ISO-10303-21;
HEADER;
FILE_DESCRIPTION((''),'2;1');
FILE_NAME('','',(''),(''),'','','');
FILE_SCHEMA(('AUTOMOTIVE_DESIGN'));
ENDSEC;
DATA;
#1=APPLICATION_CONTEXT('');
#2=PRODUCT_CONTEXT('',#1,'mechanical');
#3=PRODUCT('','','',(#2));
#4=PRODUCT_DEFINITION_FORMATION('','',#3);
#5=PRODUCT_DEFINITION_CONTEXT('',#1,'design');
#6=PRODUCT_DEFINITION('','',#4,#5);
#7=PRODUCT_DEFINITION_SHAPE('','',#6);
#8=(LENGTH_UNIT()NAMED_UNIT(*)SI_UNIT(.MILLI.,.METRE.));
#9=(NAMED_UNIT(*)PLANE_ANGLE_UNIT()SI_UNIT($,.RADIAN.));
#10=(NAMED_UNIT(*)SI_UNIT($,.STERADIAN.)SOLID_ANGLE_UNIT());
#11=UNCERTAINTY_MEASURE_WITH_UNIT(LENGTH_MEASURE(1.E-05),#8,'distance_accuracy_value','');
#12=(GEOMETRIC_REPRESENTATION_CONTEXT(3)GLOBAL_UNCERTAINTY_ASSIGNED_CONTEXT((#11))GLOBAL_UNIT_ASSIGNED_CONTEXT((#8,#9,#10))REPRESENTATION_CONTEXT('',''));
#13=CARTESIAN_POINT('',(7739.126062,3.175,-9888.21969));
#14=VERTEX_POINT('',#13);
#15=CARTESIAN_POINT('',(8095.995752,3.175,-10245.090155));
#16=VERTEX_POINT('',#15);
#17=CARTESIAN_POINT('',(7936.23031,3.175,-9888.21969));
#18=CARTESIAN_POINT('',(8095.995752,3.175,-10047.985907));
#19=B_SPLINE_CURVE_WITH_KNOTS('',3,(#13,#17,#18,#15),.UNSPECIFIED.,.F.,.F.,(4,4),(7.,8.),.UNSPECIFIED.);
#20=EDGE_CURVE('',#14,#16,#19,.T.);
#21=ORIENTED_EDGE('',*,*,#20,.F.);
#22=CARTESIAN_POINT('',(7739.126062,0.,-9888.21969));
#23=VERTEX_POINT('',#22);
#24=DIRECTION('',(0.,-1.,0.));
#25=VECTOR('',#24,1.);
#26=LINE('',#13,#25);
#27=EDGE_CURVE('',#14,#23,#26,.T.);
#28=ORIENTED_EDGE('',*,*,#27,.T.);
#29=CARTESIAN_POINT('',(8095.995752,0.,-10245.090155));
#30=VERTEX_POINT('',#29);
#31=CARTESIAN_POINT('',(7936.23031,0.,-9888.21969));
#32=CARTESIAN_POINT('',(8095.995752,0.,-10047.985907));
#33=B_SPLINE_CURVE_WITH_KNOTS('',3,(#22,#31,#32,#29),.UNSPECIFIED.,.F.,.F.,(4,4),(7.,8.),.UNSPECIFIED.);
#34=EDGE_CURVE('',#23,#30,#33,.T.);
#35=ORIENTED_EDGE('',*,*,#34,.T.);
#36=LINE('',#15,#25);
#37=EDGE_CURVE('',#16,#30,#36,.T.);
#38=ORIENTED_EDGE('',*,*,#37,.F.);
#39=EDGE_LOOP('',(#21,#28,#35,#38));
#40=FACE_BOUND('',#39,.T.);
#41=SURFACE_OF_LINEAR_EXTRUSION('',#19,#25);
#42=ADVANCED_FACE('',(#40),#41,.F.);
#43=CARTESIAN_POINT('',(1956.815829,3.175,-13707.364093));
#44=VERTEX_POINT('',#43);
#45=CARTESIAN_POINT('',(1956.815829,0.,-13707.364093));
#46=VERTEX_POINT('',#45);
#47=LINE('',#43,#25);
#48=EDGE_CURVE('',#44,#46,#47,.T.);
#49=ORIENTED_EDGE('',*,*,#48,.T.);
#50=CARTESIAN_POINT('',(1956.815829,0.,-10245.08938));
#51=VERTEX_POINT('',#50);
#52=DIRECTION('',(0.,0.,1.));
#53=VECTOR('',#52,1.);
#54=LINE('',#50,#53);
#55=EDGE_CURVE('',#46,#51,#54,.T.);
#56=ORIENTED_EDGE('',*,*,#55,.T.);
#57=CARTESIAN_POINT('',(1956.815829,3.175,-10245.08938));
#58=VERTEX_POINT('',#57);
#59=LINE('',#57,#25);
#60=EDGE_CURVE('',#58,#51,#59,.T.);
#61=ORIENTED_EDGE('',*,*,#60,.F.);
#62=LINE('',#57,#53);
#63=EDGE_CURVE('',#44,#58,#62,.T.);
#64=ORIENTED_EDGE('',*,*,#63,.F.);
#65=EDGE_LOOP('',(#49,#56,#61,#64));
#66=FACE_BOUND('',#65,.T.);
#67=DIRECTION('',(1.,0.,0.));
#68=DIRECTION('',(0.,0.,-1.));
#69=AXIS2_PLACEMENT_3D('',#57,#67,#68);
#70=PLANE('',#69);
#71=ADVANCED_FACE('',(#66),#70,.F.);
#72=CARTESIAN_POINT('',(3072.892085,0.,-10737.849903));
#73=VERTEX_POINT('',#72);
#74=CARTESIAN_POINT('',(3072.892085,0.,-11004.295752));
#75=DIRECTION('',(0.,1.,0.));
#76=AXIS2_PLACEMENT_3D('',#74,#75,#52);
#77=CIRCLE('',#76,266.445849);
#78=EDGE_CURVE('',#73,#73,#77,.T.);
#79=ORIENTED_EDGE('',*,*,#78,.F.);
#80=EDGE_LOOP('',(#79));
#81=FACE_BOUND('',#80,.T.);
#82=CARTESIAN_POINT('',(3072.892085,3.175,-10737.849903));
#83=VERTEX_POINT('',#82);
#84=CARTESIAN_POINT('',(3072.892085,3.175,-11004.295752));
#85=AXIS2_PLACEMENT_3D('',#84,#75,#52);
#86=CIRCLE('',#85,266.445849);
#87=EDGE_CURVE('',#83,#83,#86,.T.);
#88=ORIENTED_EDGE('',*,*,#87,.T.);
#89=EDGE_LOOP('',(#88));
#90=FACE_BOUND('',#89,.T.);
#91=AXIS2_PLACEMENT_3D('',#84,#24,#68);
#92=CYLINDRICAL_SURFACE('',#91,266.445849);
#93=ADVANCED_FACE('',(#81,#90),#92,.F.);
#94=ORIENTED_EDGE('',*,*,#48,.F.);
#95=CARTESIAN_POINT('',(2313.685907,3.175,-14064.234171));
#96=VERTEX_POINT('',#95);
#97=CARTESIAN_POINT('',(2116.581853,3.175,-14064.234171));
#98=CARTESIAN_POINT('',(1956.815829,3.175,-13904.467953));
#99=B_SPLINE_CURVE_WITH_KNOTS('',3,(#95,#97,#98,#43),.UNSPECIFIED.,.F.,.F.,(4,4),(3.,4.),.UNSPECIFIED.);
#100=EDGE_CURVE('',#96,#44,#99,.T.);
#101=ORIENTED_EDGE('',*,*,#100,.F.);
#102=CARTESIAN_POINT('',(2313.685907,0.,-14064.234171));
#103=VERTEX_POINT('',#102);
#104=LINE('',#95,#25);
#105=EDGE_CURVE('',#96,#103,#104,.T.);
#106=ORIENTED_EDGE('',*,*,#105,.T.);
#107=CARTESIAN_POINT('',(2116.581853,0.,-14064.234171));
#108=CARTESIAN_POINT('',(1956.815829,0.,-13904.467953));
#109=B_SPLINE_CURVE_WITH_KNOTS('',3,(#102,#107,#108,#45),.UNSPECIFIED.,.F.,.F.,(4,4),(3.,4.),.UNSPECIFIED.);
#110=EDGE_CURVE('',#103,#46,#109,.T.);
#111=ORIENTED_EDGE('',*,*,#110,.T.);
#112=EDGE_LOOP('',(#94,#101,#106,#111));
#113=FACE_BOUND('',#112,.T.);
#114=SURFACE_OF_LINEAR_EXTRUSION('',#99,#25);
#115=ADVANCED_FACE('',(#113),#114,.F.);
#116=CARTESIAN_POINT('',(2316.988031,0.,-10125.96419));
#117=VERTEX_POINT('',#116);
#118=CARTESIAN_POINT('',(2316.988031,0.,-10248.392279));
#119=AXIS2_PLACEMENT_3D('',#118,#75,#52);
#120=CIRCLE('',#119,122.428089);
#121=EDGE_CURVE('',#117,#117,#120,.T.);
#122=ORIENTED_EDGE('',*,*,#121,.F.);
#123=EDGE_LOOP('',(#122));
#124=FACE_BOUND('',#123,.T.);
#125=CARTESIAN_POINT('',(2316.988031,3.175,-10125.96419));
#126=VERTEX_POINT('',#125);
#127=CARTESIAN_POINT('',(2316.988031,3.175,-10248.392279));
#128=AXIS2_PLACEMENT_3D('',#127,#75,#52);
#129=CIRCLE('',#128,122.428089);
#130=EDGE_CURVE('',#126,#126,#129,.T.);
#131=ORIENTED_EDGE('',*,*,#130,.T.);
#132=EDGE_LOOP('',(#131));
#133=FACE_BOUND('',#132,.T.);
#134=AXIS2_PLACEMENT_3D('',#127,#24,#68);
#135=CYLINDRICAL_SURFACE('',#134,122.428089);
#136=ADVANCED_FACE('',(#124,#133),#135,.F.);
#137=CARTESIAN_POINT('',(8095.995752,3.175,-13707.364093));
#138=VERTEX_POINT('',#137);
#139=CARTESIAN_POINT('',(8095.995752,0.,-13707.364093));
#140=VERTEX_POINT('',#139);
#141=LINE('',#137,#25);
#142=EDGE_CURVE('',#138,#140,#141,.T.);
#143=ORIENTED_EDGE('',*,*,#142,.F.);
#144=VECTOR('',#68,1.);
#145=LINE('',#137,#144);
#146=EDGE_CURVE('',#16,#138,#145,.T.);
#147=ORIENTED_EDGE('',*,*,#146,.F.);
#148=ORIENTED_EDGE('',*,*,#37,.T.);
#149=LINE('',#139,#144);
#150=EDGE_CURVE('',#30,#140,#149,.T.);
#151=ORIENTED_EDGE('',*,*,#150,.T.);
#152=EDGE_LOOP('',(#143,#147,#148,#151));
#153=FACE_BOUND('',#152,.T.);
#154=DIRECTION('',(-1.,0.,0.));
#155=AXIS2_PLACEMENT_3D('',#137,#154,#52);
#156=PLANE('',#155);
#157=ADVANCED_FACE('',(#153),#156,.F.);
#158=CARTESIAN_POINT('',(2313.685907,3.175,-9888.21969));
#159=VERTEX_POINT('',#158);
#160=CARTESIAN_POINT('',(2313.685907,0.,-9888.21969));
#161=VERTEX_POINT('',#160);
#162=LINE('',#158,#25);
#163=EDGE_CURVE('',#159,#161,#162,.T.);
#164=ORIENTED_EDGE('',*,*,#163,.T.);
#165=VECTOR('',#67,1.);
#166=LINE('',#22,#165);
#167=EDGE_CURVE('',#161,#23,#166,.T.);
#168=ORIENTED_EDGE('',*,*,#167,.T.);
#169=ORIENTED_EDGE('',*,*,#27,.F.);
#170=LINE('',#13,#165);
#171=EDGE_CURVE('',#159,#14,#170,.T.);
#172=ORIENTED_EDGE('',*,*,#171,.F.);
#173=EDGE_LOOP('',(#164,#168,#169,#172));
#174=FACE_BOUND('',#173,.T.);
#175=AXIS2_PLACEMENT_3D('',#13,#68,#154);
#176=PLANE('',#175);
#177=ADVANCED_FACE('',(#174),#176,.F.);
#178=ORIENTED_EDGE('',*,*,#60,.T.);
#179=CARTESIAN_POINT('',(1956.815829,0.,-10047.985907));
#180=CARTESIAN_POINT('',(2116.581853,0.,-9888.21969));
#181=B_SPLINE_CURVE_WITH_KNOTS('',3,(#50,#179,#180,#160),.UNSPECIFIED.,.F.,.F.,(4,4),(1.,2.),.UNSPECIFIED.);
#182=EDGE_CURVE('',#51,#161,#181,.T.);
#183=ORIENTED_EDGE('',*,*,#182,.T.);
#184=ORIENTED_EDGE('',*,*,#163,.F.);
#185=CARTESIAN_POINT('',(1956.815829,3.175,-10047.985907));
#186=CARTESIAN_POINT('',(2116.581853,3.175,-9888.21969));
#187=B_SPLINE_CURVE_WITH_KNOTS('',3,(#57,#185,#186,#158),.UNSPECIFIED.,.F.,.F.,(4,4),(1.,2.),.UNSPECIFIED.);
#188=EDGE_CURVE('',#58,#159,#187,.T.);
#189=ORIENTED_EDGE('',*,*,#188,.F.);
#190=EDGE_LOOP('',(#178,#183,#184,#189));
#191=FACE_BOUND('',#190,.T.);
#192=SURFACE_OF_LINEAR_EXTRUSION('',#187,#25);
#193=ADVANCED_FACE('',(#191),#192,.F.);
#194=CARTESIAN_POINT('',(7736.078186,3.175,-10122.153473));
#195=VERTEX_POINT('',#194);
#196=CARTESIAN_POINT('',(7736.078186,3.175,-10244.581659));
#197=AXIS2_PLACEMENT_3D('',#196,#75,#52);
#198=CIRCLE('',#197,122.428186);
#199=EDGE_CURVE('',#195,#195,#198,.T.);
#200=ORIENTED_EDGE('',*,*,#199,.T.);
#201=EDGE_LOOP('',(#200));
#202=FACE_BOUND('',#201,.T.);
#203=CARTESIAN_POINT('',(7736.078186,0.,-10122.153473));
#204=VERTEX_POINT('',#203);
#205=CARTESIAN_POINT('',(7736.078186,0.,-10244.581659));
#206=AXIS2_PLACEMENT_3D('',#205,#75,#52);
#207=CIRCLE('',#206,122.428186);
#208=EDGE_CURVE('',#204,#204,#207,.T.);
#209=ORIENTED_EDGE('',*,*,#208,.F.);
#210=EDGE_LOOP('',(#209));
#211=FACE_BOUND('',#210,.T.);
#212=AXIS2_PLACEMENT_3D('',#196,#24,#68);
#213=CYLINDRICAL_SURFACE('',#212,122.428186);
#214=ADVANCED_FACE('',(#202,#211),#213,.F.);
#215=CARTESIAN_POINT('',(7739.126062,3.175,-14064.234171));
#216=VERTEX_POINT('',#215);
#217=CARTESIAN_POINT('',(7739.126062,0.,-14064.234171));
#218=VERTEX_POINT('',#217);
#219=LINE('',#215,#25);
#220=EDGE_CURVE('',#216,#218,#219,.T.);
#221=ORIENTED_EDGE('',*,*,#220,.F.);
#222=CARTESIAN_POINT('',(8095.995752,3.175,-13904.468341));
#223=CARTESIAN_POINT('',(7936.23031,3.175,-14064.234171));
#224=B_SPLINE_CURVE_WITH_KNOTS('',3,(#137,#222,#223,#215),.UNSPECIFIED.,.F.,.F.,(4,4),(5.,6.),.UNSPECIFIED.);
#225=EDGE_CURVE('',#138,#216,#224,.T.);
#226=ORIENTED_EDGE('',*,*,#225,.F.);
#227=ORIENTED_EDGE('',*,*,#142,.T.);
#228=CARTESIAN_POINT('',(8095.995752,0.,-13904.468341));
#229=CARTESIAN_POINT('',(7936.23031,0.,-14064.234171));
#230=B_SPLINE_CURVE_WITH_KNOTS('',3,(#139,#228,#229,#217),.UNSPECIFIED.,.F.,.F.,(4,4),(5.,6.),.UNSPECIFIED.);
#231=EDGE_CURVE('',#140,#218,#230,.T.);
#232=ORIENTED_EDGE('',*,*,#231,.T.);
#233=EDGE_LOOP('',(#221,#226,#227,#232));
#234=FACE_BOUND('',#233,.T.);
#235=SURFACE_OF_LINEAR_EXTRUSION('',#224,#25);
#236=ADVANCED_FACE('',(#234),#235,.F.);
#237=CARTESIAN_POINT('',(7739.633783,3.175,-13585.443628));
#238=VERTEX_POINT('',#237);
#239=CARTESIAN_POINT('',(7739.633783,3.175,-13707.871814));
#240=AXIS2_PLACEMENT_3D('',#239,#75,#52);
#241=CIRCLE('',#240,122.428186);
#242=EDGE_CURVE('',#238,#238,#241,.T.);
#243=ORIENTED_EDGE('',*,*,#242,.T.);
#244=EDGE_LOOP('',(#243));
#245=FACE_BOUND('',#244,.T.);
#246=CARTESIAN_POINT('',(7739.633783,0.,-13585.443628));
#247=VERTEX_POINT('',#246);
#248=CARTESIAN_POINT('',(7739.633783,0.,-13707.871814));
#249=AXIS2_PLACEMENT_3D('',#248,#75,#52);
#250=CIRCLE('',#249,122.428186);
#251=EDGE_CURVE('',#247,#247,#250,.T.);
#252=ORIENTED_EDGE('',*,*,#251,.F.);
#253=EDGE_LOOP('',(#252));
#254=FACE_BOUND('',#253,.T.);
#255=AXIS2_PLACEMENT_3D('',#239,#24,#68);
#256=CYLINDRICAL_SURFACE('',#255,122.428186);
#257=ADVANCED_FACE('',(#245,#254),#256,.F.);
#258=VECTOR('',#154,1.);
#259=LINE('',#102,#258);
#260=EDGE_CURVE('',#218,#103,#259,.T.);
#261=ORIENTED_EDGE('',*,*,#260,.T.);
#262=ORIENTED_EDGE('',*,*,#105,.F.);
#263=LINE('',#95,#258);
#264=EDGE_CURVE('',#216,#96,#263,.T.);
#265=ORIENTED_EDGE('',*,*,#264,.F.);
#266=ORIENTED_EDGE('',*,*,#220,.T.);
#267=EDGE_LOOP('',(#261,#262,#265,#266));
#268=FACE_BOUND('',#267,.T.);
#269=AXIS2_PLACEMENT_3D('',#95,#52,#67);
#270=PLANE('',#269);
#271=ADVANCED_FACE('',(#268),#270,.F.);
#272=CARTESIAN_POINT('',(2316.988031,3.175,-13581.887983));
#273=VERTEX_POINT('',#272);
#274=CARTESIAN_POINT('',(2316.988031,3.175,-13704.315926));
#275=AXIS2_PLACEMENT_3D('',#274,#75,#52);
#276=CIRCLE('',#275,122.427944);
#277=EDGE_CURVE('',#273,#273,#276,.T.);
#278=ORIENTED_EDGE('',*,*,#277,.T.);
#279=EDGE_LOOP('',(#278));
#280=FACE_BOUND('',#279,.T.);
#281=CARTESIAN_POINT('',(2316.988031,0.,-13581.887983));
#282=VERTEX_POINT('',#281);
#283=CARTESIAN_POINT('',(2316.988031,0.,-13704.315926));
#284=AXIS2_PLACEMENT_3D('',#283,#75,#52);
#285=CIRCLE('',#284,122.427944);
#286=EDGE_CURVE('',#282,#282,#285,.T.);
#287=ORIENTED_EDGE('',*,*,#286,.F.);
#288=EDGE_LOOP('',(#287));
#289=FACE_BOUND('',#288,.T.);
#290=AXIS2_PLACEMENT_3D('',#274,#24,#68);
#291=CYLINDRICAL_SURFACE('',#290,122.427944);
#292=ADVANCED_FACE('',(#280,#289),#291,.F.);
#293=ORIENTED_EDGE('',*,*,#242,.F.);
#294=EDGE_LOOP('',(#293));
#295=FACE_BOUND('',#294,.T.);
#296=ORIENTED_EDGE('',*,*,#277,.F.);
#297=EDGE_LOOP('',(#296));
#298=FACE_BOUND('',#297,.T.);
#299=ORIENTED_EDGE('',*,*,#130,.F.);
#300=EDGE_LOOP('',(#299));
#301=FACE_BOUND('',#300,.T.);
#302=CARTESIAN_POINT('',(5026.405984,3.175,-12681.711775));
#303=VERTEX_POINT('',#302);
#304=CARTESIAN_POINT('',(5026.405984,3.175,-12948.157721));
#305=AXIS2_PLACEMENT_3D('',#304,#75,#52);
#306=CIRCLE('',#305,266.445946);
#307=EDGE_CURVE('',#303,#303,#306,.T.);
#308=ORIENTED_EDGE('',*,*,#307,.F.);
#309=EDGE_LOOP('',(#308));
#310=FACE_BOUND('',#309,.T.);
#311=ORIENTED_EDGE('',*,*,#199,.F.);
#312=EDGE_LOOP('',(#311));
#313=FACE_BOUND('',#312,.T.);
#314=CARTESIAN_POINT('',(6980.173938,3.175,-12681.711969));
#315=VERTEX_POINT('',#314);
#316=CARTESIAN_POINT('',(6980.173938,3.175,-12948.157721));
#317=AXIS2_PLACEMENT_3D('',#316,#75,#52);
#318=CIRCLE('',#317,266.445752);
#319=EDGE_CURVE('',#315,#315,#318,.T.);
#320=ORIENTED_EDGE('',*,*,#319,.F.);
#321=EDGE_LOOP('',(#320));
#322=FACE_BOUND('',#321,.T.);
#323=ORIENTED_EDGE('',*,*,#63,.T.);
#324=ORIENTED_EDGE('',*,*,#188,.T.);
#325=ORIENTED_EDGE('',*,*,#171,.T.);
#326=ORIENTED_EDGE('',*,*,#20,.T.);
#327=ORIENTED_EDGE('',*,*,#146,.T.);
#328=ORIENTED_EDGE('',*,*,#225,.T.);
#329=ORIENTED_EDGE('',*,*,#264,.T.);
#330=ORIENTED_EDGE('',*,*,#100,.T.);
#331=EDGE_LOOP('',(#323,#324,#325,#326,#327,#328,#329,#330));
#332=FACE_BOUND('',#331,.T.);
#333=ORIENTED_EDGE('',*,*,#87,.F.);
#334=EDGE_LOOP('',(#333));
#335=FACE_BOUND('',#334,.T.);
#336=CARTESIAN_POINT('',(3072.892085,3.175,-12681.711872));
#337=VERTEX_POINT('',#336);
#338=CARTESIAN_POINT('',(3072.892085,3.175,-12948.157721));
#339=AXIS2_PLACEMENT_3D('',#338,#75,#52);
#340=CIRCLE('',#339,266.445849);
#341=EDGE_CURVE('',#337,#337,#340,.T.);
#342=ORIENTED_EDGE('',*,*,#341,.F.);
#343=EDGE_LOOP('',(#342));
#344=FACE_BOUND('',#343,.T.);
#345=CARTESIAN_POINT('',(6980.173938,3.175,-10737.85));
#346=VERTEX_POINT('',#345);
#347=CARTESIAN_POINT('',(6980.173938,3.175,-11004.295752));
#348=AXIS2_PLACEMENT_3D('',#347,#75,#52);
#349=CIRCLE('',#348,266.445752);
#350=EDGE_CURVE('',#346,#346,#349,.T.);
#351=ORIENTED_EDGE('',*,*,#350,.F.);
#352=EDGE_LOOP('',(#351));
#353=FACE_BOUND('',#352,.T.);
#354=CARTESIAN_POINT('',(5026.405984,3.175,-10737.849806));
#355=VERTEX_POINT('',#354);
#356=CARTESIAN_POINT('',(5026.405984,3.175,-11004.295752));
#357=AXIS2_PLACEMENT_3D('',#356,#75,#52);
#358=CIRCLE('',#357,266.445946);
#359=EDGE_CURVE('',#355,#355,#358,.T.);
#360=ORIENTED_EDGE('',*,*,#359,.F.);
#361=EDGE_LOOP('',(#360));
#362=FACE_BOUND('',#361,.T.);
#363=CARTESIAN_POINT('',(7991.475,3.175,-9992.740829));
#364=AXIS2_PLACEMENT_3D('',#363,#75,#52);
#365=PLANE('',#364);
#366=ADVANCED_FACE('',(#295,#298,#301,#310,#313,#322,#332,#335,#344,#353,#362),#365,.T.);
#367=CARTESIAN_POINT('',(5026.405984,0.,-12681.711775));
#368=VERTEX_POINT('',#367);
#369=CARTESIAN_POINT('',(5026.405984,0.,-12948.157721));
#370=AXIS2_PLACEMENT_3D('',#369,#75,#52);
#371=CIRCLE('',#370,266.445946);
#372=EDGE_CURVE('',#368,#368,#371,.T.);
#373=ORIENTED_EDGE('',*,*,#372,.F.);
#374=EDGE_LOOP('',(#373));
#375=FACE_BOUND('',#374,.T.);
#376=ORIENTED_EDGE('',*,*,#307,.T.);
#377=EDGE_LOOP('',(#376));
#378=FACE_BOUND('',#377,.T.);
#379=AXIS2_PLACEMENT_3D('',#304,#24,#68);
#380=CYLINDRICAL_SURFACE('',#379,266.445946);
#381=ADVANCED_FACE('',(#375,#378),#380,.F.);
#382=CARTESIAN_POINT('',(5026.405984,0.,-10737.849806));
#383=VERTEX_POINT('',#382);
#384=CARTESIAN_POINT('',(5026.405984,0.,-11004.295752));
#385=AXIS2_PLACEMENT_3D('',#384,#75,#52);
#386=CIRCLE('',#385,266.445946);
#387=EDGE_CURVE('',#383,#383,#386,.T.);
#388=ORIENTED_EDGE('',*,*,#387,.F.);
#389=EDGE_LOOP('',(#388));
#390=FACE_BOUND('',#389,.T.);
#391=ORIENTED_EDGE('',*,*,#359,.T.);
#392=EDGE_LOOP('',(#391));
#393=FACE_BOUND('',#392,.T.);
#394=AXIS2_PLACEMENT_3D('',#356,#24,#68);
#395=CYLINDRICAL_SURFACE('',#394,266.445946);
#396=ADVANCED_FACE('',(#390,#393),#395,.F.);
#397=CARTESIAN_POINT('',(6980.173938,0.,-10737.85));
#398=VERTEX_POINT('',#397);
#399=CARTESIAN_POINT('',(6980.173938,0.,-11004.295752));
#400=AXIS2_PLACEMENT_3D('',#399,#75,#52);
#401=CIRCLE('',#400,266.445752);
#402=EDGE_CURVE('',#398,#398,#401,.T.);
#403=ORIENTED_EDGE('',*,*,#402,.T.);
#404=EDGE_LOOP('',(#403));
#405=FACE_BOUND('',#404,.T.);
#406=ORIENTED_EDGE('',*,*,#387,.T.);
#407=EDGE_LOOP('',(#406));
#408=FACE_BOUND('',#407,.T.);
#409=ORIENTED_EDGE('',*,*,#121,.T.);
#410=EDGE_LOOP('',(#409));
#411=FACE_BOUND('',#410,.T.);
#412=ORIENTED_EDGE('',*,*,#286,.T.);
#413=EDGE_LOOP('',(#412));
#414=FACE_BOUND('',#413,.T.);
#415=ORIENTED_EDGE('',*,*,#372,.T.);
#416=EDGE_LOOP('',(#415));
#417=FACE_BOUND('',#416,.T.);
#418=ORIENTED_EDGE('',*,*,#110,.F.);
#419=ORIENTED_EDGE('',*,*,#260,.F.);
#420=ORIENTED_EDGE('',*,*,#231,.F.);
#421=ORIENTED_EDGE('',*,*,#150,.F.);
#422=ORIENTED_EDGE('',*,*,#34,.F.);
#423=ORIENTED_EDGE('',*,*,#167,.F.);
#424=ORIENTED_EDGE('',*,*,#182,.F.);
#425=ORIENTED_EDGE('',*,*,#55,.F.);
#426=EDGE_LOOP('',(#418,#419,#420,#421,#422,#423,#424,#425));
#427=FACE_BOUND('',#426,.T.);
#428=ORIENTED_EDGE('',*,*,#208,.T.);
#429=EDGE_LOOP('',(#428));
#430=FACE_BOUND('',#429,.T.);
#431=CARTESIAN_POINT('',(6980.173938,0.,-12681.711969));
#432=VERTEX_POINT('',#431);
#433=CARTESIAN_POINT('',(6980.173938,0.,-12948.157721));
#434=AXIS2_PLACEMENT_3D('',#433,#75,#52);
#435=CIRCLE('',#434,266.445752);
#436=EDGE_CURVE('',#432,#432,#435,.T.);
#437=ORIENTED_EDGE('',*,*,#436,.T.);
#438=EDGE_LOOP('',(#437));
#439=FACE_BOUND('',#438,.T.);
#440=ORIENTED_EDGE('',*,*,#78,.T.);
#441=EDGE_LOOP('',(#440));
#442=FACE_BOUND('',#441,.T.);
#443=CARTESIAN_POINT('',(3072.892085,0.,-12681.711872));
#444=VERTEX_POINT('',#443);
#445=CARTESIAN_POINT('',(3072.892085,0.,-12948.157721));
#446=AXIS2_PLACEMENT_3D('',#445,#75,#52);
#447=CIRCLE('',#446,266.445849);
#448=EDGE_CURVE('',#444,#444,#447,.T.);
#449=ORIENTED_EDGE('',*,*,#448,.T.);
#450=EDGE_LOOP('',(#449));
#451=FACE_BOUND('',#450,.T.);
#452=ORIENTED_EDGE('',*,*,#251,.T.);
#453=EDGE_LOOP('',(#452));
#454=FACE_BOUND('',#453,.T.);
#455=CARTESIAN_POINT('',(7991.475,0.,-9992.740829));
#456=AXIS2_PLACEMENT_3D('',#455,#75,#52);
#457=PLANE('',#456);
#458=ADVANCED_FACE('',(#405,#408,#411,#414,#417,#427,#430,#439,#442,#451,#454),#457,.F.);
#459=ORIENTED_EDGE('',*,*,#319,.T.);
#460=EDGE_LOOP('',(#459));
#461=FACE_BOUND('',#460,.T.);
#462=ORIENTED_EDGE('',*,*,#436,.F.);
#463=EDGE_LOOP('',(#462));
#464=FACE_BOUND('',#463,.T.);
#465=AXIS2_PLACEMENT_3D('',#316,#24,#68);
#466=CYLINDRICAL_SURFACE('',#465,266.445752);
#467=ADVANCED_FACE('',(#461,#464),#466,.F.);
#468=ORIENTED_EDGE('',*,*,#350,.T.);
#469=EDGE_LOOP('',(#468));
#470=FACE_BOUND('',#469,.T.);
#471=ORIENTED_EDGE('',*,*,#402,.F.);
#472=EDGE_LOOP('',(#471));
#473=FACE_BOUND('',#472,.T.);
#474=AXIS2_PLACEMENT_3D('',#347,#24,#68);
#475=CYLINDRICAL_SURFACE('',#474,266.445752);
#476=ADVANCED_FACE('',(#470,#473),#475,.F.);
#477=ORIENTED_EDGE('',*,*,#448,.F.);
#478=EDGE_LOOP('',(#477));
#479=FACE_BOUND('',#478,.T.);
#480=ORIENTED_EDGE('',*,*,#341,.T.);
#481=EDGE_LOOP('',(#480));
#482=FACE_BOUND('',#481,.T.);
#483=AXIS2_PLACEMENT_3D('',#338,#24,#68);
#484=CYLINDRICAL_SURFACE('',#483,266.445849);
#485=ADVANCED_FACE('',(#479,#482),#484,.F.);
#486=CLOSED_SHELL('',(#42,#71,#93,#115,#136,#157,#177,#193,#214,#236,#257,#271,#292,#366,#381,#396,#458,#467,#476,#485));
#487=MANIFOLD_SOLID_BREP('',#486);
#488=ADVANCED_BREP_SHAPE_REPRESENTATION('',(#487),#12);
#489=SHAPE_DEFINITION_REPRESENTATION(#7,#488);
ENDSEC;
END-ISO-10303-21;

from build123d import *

# Parameters (mm, degrees)
SKETCH1_R           = 266.445848846
SKETCH1_R_2         = 266.44594574
SKETCH1_R_3         = 266.445751953
SKETCH1_R_4         = 122.427943802
SKETCH1_R_5         = 122.428089142
SKETCH1_R_6         = 122.428186035
BOSS_EXTRUDE1_DEPTH = 3.175


with BuildPart() as part:
    # Sketch1 → Boss-Extrude1 (new body)
    with BuildSketch(Plane(origin=(0, 0, 0), x_dir=(1, 0, 0), z_dir=(0, 1, 0))):
        with BuildLine():
            Line((7739.126062012, 9888.219689941), (2313.685906982, 9888.219689941))
            add(Edge.make_bspline(
                [(2313.685906982, 9888.219689941), (2116.581852722, 9888.219689941), (1956.815829468, 10047.985906982), (1956.815829468, 10245.089379883)],
                knots=[1, 1, 1, 1, 2, 2, 2, 2], degree=3))
            Line((1956.815829468, 10245.089379883), (1956.815829468, 13707.364093018))
            add(Edge.make_bspline(
                [(1956.815829468, 13707.364093018), (1956.815829468, 13904.467953491), (2116.581852722, 14064.234170532), (2313.685906982, 14064.234170532)],
                knots=[3, 3, 3, 3, 4, 4, 4, 4], degree=3))
            Line((2313.685906982, 14064.234170532), (7739.126062012, 14064.234170532))
            add(Edge.make_bspline(
                [(7739.126062012, 14064.234170532), (7936.230310059, 14064.234170532), (8095.995751953, 13904.468341064), (8095.995751953, 13707.364093018)],
                knots=[5, 5, 5, 5, 6, 6, 6, 6], degree=3))
            Line((8095.995751953, 13707.364093018), (8095.995751953, 10245.090155029))
            add(Edge.make_bspline(
                [(8095.995751953, 10245.090155029), (8095.995751953, 10047.985906982), (7936.230310059, 9888.219689941), (7739.126062012, 9888.219689941)],
                knots=[7, 7, 7, 7, 8, 8, 8, 8], degree=3))
        make_face()
        with Locations(Location((3072.892085266, 12948.157720947, 0), (0, 0, 270))):
            Circle(SKETCH1_R, mode=Mode.SUBTRACT)
        with Locations(Location((5026.405984497, 12948.157720947, 0), (0, 0, 270))):
            Circle(SKETCH1_R_2, mode=Mode.SUBTRACT)
        with Locations(Location((6980.173937988, 12948.157720947, 0), (0, 0, 270))):
            Circle(SKETCH1_R_3, mode=Mode.SUBTRACT)
        with Locations(Location((3072.892085266, 11004.295751953, 0), (0, 0, 270))):
            Circle(SKETCH1_R, mode=Mode.SUBTRACT)
        with Locations(Location((5026.405984497, 11004.295751953, 0), (0, 0, 270))):
            Circle(SKETCH1_R_2, mode=Mode.SUBTRACT)
        with Locations(Location((6980.173937988, 11004.295751953, 0), (0, 0, 270))):
            Circle(SKETCH1_R_3, mode=Mode.SUBTRACT)
        with Locations(Location((2316.988031006, 13704.315926361, 0), (0, 0, 270))):
            Circle(SKETCH1_R_4, mode=Mode.SUBTRACT)
        with Locations(Location((2316.988031006, 10248.392279053, 0), (0, 0, 270))):
            Circle(SKETCH1_R_5, mode=Mode.SUBTRACT)
        with Locations(Location((7736.078186035, 10244.581658936, 0), (0, 0, 270))):
            Circle(SKETCH1_R_6, mode=Mode.SUBTRACT)
        with Locations(Location((7739.633782959, 13707.871813965, 0), (0, 0, 270))):
            Circle(SKETCH1_R_6, mode=Mode.SUBTRACT)
    extrude(amount=BOSS_EXTRUDE1_DEPTH)


solid = part.part
